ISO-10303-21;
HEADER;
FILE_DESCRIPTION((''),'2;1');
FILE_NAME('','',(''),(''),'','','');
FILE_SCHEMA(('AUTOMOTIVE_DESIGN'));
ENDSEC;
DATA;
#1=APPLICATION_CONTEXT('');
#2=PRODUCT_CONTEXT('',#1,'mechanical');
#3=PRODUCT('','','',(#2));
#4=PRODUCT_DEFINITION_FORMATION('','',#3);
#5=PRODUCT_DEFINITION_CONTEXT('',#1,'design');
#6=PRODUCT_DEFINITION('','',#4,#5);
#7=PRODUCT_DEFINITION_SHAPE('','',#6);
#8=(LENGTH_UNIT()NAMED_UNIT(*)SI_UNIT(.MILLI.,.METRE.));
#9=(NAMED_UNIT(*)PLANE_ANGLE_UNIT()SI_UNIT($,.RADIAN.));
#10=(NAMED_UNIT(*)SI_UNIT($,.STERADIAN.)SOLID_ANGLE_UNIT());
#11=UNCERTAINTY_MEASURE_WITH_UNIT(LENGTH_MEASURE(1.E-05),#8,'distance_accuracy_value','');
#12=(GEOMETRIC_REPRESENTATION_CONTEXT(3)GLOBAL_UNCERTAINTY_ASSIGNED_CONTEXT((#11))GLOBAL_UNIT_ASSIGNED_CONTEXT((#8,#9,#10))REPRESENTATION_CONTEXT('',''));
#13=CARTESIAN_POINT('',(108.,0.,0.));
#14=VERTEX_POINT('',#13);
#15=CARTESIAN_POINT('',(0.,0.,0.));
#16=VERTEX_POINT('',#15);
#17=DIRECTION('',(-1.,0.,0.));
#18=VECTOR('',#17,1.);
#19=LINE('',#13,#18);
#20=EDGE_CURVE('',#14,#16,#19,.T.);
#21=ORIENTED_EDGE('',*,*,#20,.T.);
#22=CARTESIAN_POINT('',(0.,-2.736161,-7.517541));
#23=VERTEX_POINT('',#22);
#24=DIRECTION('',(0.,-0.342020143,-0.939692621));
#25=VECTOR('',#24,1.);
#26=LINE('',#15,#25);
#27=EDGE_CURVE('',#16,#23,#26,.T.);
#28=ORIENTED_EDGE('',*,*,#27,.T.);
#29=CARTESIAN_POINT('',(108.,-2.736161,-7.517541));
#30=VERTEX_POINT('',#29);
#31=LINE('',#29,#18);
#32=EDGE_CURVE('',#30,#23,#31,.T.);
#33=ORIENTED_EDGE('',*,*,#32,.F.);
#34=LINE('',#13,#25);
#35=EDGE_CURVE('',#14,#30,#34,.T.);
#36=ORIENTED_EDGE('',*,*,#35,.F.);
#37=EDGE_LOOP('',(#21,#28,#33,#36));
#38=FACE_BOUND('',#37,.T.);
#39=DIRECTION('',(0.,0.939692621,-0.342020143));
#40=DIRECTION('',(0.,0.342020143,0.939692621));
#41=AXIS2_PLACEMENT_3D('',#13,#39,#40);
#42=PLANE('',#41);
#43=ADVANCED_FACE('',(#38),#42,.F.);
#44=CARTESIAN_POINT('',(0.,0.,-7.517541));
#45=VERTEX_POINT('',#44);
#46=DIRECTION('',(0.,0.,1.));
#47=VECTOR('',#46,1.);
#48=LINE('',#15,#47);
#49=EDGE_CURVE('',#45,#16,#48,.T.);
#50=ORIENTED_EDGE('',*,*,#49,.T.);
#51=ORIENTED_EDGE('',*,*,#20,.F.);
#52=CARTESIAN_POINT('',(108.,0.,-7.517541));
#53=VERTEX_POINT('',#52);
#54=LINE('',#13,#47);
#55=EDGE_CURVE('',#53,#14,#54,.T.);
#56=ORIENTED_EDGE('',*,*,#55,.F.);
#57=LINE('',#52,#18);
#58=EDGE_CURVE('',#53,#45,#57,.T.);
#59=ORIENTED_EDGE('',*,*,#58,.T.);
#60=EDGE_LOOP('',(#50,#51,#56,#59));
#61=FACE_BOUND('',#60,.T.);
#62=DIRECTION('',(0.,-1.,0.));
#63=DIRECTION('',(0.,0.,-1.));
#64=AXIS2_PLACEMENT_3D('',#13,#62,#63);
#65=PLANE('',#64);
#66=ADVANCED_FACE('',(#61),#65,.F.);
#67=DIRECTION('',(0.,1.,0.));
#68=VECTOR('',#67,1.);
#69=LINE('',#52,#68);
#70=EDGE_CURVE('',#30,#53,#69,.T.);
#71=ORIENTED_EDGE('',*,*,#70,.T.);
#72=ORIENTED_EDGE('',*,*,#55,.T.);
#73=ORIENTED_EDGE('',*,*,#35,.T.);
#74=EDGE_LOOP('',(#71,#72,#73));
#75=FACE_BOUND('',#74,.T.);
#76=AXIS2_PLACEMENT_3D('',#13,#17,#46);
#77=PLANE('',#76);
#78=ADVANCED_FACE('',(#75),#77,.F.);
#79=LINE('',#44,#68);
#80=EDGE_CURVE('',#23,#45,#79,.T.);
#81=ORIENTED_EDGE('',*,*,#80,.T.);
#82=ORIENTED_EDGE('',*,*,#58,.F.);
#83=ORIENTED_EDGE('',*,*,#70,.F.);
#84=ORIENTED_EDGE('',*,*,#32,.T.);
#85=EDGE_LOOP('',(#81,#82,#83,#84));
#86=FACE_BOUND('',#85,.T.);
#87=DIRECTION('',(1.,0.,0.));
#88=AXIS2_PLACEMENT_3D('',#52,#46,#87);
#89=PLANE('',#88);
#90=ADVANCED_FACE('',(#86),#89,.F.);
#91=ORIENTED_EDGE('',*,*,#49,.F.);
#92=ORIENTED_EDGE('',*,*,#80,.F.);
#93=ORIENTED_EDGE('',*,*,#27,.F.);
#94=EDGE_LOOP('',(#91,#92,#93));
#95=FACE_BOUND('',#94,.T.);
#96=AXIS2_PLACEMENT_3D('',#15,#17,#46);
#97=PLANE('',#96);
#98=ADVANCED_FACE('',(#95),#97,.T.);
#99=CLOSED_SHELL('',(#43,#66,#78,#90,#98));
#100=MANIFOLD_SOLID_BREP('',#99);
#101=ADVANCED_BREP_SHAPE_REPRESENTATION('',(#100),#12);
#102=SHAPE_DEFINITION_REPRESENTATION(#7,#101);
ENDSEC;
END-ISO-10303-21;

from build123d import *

# Parameters (mm, degrees)
EXTRUDE_1_DEPTH = 108


with BuildPart() as part:
    # 草图1 → 凸台-拉伸1 (new body)
    with BuildSketch(Plane(origin=(0, 0, 0), x_dir=(0, 0, -1), z_dir=(1, 0, 0))):
        Polygon((0, 0), (7.517540966, -2.736161147), (7.517540966, 0), align=None)
    extrude(amount=EXTRUDE_1_DEPTH)


solid = part.part
